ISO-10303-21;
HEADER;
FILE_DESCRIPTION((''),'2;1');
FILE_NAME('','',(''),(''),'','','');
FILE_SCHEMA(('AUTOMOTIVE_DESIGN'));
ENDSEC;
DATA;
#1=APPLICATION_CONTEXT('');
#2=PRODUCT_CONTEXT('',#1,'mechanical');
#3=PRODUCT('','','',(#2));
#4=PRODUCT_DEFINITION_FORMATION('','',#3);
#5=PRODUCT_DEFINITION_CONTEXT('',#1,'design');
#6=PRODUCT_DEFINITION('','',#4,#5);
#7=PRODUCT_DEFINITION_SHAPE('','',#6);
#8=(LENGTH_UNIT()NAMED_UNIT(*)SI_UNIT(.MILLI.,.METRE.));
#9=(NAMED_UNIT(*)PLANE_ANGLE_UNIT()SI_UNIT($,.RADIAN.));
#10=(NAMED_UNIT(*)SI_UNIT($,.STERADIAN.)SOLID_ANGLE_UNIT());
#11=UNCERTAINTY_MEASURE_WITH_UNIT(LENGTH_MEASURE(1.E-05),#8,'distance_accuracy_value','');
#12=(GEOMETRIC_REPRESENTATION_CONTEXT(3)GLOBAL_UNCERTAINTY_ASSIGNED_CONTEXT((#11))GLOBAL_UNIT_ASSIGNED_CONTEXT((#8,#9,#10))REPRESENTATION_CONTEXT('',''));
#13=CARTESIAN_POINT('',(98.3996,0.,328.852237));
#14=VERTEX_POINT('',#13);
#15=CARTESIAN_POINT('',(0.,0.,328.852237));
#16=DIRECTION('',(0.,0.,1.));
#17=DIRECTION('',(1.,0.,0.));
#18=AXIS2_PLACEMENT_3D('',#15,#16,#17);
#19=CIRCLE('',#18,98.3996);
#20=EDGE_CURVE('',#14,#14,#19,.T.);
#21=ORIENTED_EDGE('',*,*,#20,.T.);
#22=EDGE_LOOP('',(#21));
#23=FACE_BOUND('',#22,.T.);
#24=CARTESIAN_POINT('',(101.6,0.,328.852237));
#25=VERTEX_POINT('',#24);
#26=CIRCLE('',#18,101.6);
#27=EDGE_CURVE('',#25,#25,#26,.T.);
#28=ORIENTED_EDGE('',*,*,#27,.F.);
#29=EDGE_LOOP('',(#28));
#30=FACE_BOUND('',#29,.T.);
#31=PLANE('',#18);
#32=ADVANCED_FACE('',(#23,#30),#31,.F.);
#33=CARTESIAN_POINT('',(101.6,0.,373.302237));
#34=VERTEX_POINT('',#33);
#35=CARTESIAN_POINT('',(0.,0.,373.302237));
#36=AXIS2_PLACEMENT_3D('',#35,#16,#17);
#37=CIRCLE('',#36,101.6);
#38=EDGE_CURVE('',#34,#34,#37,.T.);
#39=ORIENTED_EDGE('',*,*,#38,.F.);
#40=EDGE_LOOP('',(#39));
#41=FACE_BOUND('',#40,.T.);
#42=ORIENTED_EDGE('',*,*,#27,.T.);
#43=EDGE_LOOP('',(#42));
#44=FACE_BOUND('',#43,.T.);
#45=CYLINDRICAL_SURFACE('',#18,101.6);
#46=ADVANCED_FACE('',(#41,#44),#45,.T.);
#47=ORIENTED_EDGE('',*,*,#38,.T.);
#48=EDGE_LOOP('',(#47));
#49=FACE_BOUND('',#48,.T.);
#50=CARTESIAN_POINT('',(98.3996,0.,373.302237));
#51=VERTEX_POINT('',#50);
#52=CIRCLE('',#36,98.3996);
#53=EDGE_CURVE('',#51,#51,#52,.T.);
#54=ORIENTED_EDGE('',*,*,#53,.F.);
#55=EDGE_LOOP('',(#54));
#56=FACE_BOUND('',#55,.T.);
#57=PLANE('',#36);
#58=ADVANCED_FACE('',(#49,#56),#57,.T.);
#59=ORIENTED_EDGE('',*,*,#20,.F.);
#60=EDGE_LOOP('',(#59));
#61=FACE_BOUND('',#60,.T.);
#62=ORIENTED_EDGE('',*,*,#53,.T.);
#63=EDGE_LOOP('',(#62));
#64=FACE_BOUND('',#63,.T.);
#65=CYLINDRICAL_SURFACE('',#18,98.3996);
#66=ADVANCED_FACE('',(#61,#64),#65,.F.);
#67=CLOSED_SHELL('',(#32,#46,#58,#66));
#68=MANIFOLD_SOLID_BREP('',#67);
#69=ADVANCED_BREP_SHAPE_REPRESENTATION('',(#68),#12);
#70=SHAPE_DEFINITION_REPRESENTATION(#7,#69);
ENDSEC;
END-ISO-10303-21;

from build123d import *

# Parameters (mm, degrees)
SKETCH2_R      = 101.6
SKETCH2_R_2    = 98.3996
EXTRUDE1_DEPTH = 44.45


with BuildPart() as part:
    # Sketch2 → Extrude1 (new body)
    with BuildSketch(Plane.XY.offset(373.3022368)):
        Circle(SKETCH2_R)
        Circle(SKETCH2_R_2, mode=Mode.SUBTRACT)
    extrude(amount=-EXTRUDE1_DEPTH)


solid = part.part
